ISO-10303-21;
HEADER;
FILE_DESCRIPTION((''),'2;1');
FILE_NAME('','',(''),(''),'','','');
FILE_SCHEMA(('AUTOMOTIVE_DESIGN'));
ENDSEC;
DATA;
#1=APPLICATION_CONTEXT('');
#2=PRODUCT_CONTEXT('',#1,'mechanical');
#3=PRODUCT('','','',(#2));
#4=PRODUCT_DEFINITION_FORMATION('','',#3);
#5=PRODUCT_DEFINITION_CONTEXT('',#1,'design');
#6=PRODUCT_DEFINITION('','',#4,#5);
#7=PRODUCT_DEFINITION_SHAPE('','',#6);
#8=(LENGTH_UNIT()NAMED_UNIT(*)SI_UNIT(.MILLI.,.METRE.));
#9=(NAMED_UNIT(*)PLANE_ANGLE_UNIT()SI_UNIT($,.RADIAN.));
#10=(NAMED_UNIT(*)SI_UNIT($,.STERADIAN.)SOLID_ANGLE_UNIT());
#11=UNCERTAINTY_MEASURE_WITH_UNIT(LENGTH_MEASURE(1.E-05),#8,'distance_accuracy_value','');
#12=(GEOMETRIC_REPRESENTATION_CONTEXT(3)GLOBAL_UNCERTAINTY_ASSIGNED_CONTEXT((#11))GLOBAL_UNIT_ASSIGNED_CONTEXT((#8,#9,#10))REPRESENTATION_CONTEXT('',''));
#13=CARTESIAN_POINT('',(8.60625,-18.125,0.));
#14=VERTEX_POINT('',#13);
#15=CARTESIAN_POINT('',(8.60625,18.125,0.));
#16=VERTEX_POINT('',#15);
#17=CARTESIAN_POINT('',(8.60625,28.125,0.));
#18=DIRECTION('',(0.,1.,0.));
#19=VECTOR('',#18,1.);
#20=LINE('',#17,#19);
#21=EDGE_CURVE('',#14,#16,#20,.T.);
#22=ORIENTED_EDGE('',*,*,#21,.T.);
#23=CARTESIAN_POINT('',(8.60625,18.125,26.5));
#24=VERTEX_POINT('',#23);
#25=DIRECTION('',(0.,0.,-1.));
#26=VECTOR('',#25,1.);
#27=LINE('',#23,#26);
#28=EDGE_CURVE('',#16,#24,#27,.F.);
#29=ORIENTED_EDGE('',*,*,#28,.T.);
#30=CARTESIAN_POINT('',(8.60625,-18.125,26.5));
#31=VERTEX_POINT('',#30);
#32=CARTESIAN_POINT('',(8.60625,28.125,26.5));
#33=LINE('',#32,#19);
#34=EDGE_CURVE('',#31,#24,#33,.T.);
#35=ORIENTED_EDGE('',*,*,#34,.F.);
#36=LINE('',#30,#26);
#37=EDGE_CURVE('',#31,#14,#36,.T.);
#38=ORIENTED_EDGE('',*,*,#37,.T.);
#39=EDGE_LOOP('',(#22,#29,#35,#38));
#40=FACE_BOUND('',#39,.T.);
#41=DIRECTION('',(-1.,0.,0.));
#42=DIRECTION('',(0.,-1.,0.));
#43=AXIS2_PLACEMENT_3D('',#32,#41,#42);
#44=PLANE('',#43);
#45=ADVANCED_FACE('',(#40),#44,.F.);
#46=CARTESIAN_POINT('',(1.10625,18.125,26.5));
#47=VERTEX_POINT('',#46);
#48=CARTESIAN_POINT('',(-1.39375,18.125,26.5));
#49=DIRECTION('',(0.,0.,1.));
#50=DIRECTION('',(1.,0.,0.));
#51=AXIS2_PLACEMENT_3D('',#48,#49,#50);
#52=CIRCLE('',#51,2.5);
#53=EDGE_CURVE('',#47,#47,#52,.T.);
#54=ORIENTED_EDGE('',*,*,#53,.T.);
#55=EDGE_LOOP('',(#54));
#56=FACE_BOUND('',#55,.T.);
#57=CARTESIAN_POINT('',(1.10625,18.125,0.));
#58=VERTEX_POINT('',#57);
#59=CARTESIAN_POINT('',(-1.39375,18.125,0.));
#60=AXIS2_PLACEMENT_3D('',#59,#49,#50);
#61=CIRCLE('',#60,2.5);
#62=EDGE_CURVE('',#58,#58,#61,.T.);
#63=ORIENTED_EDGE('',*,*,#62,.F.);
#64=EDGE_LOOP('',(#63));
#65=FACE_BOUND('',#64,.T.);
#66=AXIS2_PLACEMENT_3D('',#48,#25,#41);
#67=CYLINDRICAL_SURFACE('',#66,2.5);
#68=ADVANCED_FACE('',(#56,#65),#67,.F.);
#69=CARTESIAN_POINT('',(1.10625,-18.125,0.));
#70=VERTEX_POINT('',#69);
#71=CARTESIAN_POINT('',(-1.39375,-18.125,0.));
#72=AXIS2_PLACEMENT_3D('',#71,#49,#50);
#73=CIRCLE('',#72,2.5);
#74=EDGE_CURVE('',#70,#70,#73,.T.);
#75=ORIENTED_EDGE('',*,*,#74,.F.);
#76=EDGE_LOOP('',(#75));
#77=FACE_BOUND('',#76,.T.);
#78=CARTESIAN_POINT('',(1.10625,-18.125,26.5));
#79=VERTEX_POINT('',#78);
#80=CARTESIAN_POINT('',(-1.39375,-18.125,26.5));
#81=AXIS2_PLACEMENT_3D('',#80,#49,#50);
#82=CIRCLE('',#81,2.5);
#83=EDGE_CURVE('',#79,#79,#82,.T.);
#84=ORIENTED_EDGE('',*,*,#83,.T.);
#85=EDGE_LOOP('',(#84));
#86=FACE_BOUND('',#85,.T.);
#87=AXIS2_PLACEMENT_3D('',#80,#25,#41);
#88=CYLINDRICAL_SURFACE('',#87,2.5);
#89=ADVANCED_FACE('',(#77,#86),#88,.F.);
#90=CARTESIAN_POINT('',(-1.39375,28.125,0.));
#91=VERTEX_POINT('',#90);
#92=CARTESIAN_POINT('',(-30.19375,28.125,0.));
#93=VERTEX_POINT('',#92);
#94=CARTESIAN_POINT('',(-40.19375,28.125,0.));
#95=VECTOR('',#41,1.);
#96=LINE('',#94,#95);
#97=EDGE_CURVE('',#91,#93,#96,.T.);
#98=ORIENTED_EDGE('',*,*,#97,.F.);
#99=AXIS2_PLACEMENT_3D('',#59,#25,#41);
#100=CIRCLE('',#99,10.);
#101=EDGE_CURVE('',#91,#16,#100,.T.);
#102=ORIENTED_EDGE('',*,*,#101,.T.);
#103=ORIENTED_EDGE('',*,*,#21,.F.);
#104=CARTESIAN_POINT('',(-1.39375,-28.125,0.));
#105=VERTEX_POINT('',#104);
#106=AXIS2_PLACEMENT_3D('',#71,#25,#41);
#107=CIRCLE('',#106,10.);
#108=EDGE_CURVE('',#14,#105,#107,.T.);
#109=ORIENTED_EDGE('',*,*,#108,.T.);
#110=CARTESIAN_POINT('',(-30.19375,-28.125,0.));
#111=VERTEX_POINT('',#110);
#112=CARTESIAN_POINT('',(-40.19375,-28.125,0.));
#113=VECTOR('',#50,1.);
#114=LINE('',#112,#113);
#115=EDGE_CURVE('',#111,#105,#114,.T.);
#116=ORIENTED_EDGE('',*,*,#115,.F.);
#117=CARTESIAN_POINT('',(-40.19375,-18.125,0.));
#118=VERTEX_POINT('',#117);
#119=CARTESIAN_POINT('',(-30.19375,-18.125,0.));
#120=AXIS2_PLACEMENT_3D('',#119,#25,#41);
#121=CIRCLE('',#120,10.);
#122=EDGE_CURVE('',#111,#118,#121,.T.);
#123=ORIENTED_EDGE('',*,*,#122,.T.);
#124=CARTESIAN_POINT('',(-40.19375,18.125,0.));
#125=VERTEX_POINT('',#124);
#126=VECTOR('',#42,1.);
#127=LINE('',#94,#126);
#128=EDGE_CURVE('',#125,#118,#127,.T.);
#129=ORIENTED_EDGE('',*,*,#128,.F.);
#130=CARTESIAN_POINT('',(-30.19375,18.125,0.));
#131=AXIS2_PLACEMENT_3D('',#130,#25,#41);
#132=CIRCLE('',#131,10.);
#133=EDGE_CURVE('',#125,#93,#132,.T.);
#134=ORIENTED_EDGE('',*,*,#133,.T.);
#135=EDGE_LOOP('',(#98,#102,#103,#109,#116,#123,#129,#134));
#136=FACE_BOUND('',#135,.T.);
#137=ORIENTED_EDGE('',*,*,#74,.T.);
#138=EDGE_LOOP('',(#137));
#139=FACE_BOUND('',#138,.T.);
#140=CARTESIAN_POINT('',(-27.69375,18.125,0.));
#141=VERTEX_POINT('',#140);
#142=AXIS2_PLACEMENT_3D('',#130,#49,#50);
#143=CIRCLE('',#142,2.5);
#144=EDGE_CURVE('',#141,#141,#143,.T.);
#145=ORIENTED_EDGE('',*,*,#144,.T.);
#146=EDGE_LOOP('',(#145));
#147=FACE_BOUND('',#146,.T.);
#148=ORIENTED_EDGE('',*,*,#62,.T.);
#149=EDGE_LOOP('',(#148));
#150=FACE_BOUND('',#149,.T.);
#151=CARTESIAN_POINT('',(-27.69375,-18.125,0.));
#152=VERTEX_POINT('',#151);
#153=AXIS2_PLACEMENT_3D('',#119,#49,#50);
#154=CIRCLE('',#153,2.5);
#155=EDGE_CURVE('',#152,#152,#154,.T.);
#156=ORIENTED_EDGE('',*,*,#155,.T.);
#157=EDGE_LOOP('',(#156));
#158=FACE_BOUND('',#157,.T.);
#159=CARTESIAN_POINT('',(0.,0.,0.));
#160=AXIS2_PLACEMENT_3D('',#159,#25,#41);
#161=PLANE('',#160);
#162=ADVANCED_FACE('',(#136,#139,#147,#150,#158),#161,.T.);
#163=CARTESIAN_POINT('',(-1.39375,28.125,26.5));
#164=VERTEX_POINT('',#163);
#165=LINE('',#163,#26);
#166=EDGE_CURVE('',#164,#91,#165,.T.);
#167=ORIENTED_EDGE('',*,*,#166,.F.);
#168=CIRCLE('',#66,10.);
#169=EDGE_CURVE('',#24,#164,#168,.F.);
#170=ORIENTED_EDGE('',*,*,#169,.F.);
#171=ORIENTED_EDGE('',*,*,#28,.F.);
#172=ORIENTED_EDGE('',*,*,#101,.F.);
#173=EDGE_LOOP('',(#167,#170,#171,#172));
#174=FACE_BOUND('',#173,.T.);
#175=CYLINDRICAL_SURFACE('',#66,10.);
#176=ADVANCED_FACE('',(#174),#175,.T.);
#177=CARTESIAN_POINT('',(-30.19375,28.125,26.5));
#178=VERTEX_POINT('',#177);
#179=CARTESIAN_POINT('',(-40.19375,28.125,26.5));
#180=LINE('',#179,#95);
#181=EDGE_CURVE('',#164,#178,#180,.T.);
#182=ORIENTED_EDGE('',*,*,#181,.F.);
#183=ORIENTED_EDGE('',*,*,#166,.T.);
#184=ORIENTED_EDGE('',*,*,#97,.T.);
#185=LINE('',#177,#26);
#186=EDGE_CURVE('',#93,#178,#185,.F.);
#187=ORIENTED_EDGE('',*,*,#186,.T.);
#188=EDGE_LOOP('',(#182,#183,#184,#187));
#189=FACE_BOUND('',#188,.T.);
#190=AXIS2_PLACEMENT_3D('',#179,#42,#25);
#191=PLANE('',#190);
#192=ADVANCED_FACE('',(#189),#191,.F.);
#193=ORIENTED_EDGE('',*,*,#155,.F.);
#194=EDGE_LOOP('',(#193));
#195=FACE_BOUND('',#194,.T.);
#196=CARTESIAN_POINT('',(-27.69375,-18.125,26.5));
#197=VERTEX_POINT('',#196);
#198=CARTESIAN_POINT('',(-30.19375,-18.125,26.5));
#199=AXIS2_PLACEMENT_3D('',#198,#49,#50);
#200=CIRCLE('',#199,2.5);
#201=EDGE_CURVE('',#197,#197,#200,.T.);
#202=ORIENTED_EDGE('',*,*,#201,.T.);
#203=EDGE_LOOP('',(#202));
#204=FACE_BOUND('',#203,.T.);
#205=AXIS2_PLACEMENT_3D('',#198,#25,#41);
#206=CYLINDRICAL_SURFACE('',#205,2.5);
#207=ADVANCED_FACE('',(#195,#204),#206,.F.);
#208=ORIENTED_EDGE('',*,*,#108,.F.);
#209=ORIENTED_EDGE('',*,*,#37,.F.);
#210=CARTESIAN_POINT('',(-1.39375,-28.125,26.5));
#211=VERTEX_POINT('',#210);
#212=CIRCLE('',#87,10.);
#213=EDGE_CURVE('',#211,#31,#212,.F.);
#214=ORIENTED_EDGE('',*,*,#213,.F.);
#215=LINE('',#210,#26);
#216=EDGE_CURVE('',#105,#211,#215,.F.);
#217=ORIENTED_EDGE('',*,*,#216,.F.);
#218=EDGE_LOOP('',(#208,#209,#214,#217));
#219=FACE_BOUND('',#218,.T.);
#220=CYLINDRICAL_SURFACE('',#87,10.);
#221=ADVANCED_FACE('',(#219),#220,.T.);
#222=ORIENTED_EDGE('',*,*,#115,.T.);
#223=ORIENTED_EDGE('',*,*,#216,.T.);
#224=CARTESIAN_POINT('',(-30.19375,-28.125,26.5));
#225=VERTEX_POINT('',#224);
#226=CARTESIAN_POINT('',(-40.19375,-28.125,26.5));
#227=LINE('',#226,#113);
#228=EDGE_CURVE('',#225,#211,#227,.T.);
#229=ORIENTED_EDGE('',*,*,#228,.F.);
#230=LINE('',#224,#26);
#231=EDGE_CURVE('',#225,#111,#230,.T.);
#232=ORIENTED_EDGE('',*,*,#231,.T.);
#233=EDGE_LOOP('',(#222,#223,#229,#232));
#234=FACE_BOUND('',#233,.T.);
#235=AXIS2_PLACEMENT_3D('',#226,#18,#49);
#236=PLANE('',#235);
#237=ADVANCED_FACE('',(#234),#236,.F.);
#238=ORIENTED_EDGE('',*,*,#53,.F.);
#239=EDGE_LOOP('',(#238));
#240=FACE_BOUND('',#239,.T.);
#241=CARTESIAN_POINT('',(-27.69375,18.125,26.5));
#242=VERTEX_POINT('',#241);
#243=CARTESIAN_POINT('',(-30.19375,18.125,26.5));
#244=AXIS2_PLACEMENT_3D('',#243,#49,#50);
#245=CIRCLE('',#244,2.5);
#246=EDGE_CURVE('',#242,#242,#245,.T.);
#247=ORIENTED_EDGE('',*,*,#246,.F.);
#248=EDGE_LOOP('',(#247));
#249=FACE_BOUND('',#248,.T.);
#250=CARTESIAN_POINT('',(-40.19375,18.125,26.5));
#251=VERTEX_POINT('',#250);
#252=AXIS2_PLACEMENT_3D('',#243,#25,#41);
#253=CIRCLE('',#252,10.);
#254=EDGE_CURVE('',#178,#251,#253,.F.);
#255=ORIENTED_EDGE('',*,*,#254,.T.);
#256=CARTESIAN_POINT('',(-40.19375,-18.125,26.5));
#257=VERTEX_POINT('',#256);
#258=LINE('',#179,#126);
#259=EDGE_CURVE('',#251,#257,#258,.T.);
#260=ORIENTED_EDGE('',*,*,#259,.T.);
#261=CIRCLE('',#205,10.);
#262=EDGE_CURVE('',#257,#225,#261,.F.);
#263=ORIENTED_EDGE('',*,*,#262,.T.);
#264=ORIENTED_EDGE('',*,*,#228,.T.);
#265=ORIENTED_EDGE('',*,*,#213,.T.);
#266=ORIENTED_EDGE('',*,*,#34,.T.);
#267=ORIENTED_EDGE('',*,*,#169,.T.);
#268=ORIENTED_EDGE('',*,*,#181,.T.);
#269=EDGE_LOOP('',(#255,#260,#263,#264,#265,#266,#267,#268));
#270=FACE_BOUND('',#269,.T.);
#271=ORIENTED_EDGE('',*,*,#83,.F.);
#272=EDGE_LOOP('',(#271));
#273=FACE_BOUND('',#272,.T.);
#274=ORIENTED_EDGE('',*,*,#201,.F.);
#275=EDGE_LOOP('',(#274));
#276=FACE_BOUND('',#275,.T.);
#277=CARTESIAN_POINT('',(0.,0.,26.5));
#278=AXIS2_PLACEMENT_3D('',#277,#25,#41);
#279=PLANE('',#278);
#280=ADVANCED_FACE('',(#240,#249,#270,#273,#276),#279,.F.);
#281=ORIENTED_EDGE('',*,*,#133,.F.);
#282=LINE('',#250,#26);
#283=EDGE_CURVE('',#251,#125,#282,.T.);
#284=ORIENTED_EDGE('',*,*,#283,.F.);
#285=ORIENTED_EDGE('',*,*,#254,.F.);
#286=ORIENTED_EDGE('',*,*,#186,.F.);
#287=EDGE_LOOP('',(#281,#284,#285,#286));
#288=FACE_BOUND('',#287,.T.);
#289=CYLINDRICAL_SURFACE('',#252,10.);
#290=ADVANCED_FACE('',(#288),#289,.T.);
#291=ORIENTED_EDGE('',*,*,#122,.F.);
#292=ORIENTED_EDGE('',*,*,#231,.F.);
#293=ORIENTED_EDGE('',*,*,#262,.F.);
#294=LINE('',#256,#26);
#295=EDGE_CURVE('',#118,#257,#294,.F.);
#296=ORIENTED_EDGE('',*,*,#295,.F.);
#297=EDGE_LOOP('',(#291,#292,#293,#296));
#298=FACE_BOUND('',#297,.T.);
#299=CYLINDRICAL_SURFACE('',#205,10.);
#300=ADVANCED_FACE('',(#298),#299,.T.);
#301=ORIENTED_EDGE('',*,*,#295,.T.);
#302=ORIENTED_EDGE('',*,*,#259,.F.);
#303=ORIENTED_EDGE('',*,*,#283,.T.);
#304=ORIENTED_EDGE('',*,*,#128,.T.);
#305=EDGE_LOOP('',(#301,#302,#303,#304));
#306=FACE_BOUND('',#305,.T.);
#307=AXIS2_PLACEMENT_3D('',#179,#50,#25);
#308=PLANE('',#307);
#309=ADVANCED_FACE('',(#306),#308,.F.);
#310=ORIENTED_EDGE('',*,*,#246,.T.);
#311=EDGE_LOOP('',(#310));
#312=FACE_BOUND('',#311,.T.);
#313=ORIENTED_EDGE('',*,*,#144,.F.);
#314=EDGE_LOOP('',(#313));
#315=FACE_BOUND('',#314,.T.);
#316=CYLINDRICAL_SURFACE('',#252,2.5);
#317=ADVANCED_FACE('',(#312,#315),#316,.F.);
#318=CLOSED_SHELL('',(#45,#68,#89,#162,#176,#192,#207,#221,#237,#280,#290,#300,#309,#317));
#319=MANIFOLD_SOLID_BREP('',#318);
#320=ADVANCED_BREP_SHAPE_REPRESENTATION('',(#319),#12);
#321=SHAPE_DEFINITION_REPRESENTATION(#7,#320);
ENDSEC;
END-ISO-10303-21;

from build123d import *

# Parameters (mm, degrees)
SKETCH1_W           = 48.8
SKETCH1_H           = 56.25
SKETCH1_R           = 2.5
BOSS_EXTRUDE1_DEPTH = 26.5
FILLET1_R           = 10


with BuildPart() as part:
    # Sketch1 → Boss-Extrude1 (new body)
    with BuildSketch(Plane.XY):
        with Locations((-15.79375, 0)):
            Rectangle(SKETCH1_W, SKETCH1_H)
        with Locations((-1.39375, -18.125)):
            Circle(SKETCH1_R, mode=Mode.SUBTRACT)
        with Locations((-30.19375, -18.125)):
            Circle(SKETCH1_R, mode=Mode.SUBTRACT)
        with Locations((-1.39375, 18.125)):
            Circle(SKETCH1_R, mode=Mode.SUBTRACT)
        with Locations((-30.19375, 18.125)):
            Circle(SKETCH1_R, mode=Mode.SUBTRACT)
    extrude(amount=BOSS_EXTRUDE1_DEPTH)

    # Fillet1
    fillet1_edges = [part.edges().sort_by_distance(p)[0] for p in [
        (8.60625, 28.125, 13.25),
        (8.60625, -28.125, 13.25),
        (-40.19375, -28.125, 13.25),
        (-40.19375, 28.125, 13.25),
    ]]
    fillet(fillet1_edges, radius=FILLET1_R)


solid = part.part
